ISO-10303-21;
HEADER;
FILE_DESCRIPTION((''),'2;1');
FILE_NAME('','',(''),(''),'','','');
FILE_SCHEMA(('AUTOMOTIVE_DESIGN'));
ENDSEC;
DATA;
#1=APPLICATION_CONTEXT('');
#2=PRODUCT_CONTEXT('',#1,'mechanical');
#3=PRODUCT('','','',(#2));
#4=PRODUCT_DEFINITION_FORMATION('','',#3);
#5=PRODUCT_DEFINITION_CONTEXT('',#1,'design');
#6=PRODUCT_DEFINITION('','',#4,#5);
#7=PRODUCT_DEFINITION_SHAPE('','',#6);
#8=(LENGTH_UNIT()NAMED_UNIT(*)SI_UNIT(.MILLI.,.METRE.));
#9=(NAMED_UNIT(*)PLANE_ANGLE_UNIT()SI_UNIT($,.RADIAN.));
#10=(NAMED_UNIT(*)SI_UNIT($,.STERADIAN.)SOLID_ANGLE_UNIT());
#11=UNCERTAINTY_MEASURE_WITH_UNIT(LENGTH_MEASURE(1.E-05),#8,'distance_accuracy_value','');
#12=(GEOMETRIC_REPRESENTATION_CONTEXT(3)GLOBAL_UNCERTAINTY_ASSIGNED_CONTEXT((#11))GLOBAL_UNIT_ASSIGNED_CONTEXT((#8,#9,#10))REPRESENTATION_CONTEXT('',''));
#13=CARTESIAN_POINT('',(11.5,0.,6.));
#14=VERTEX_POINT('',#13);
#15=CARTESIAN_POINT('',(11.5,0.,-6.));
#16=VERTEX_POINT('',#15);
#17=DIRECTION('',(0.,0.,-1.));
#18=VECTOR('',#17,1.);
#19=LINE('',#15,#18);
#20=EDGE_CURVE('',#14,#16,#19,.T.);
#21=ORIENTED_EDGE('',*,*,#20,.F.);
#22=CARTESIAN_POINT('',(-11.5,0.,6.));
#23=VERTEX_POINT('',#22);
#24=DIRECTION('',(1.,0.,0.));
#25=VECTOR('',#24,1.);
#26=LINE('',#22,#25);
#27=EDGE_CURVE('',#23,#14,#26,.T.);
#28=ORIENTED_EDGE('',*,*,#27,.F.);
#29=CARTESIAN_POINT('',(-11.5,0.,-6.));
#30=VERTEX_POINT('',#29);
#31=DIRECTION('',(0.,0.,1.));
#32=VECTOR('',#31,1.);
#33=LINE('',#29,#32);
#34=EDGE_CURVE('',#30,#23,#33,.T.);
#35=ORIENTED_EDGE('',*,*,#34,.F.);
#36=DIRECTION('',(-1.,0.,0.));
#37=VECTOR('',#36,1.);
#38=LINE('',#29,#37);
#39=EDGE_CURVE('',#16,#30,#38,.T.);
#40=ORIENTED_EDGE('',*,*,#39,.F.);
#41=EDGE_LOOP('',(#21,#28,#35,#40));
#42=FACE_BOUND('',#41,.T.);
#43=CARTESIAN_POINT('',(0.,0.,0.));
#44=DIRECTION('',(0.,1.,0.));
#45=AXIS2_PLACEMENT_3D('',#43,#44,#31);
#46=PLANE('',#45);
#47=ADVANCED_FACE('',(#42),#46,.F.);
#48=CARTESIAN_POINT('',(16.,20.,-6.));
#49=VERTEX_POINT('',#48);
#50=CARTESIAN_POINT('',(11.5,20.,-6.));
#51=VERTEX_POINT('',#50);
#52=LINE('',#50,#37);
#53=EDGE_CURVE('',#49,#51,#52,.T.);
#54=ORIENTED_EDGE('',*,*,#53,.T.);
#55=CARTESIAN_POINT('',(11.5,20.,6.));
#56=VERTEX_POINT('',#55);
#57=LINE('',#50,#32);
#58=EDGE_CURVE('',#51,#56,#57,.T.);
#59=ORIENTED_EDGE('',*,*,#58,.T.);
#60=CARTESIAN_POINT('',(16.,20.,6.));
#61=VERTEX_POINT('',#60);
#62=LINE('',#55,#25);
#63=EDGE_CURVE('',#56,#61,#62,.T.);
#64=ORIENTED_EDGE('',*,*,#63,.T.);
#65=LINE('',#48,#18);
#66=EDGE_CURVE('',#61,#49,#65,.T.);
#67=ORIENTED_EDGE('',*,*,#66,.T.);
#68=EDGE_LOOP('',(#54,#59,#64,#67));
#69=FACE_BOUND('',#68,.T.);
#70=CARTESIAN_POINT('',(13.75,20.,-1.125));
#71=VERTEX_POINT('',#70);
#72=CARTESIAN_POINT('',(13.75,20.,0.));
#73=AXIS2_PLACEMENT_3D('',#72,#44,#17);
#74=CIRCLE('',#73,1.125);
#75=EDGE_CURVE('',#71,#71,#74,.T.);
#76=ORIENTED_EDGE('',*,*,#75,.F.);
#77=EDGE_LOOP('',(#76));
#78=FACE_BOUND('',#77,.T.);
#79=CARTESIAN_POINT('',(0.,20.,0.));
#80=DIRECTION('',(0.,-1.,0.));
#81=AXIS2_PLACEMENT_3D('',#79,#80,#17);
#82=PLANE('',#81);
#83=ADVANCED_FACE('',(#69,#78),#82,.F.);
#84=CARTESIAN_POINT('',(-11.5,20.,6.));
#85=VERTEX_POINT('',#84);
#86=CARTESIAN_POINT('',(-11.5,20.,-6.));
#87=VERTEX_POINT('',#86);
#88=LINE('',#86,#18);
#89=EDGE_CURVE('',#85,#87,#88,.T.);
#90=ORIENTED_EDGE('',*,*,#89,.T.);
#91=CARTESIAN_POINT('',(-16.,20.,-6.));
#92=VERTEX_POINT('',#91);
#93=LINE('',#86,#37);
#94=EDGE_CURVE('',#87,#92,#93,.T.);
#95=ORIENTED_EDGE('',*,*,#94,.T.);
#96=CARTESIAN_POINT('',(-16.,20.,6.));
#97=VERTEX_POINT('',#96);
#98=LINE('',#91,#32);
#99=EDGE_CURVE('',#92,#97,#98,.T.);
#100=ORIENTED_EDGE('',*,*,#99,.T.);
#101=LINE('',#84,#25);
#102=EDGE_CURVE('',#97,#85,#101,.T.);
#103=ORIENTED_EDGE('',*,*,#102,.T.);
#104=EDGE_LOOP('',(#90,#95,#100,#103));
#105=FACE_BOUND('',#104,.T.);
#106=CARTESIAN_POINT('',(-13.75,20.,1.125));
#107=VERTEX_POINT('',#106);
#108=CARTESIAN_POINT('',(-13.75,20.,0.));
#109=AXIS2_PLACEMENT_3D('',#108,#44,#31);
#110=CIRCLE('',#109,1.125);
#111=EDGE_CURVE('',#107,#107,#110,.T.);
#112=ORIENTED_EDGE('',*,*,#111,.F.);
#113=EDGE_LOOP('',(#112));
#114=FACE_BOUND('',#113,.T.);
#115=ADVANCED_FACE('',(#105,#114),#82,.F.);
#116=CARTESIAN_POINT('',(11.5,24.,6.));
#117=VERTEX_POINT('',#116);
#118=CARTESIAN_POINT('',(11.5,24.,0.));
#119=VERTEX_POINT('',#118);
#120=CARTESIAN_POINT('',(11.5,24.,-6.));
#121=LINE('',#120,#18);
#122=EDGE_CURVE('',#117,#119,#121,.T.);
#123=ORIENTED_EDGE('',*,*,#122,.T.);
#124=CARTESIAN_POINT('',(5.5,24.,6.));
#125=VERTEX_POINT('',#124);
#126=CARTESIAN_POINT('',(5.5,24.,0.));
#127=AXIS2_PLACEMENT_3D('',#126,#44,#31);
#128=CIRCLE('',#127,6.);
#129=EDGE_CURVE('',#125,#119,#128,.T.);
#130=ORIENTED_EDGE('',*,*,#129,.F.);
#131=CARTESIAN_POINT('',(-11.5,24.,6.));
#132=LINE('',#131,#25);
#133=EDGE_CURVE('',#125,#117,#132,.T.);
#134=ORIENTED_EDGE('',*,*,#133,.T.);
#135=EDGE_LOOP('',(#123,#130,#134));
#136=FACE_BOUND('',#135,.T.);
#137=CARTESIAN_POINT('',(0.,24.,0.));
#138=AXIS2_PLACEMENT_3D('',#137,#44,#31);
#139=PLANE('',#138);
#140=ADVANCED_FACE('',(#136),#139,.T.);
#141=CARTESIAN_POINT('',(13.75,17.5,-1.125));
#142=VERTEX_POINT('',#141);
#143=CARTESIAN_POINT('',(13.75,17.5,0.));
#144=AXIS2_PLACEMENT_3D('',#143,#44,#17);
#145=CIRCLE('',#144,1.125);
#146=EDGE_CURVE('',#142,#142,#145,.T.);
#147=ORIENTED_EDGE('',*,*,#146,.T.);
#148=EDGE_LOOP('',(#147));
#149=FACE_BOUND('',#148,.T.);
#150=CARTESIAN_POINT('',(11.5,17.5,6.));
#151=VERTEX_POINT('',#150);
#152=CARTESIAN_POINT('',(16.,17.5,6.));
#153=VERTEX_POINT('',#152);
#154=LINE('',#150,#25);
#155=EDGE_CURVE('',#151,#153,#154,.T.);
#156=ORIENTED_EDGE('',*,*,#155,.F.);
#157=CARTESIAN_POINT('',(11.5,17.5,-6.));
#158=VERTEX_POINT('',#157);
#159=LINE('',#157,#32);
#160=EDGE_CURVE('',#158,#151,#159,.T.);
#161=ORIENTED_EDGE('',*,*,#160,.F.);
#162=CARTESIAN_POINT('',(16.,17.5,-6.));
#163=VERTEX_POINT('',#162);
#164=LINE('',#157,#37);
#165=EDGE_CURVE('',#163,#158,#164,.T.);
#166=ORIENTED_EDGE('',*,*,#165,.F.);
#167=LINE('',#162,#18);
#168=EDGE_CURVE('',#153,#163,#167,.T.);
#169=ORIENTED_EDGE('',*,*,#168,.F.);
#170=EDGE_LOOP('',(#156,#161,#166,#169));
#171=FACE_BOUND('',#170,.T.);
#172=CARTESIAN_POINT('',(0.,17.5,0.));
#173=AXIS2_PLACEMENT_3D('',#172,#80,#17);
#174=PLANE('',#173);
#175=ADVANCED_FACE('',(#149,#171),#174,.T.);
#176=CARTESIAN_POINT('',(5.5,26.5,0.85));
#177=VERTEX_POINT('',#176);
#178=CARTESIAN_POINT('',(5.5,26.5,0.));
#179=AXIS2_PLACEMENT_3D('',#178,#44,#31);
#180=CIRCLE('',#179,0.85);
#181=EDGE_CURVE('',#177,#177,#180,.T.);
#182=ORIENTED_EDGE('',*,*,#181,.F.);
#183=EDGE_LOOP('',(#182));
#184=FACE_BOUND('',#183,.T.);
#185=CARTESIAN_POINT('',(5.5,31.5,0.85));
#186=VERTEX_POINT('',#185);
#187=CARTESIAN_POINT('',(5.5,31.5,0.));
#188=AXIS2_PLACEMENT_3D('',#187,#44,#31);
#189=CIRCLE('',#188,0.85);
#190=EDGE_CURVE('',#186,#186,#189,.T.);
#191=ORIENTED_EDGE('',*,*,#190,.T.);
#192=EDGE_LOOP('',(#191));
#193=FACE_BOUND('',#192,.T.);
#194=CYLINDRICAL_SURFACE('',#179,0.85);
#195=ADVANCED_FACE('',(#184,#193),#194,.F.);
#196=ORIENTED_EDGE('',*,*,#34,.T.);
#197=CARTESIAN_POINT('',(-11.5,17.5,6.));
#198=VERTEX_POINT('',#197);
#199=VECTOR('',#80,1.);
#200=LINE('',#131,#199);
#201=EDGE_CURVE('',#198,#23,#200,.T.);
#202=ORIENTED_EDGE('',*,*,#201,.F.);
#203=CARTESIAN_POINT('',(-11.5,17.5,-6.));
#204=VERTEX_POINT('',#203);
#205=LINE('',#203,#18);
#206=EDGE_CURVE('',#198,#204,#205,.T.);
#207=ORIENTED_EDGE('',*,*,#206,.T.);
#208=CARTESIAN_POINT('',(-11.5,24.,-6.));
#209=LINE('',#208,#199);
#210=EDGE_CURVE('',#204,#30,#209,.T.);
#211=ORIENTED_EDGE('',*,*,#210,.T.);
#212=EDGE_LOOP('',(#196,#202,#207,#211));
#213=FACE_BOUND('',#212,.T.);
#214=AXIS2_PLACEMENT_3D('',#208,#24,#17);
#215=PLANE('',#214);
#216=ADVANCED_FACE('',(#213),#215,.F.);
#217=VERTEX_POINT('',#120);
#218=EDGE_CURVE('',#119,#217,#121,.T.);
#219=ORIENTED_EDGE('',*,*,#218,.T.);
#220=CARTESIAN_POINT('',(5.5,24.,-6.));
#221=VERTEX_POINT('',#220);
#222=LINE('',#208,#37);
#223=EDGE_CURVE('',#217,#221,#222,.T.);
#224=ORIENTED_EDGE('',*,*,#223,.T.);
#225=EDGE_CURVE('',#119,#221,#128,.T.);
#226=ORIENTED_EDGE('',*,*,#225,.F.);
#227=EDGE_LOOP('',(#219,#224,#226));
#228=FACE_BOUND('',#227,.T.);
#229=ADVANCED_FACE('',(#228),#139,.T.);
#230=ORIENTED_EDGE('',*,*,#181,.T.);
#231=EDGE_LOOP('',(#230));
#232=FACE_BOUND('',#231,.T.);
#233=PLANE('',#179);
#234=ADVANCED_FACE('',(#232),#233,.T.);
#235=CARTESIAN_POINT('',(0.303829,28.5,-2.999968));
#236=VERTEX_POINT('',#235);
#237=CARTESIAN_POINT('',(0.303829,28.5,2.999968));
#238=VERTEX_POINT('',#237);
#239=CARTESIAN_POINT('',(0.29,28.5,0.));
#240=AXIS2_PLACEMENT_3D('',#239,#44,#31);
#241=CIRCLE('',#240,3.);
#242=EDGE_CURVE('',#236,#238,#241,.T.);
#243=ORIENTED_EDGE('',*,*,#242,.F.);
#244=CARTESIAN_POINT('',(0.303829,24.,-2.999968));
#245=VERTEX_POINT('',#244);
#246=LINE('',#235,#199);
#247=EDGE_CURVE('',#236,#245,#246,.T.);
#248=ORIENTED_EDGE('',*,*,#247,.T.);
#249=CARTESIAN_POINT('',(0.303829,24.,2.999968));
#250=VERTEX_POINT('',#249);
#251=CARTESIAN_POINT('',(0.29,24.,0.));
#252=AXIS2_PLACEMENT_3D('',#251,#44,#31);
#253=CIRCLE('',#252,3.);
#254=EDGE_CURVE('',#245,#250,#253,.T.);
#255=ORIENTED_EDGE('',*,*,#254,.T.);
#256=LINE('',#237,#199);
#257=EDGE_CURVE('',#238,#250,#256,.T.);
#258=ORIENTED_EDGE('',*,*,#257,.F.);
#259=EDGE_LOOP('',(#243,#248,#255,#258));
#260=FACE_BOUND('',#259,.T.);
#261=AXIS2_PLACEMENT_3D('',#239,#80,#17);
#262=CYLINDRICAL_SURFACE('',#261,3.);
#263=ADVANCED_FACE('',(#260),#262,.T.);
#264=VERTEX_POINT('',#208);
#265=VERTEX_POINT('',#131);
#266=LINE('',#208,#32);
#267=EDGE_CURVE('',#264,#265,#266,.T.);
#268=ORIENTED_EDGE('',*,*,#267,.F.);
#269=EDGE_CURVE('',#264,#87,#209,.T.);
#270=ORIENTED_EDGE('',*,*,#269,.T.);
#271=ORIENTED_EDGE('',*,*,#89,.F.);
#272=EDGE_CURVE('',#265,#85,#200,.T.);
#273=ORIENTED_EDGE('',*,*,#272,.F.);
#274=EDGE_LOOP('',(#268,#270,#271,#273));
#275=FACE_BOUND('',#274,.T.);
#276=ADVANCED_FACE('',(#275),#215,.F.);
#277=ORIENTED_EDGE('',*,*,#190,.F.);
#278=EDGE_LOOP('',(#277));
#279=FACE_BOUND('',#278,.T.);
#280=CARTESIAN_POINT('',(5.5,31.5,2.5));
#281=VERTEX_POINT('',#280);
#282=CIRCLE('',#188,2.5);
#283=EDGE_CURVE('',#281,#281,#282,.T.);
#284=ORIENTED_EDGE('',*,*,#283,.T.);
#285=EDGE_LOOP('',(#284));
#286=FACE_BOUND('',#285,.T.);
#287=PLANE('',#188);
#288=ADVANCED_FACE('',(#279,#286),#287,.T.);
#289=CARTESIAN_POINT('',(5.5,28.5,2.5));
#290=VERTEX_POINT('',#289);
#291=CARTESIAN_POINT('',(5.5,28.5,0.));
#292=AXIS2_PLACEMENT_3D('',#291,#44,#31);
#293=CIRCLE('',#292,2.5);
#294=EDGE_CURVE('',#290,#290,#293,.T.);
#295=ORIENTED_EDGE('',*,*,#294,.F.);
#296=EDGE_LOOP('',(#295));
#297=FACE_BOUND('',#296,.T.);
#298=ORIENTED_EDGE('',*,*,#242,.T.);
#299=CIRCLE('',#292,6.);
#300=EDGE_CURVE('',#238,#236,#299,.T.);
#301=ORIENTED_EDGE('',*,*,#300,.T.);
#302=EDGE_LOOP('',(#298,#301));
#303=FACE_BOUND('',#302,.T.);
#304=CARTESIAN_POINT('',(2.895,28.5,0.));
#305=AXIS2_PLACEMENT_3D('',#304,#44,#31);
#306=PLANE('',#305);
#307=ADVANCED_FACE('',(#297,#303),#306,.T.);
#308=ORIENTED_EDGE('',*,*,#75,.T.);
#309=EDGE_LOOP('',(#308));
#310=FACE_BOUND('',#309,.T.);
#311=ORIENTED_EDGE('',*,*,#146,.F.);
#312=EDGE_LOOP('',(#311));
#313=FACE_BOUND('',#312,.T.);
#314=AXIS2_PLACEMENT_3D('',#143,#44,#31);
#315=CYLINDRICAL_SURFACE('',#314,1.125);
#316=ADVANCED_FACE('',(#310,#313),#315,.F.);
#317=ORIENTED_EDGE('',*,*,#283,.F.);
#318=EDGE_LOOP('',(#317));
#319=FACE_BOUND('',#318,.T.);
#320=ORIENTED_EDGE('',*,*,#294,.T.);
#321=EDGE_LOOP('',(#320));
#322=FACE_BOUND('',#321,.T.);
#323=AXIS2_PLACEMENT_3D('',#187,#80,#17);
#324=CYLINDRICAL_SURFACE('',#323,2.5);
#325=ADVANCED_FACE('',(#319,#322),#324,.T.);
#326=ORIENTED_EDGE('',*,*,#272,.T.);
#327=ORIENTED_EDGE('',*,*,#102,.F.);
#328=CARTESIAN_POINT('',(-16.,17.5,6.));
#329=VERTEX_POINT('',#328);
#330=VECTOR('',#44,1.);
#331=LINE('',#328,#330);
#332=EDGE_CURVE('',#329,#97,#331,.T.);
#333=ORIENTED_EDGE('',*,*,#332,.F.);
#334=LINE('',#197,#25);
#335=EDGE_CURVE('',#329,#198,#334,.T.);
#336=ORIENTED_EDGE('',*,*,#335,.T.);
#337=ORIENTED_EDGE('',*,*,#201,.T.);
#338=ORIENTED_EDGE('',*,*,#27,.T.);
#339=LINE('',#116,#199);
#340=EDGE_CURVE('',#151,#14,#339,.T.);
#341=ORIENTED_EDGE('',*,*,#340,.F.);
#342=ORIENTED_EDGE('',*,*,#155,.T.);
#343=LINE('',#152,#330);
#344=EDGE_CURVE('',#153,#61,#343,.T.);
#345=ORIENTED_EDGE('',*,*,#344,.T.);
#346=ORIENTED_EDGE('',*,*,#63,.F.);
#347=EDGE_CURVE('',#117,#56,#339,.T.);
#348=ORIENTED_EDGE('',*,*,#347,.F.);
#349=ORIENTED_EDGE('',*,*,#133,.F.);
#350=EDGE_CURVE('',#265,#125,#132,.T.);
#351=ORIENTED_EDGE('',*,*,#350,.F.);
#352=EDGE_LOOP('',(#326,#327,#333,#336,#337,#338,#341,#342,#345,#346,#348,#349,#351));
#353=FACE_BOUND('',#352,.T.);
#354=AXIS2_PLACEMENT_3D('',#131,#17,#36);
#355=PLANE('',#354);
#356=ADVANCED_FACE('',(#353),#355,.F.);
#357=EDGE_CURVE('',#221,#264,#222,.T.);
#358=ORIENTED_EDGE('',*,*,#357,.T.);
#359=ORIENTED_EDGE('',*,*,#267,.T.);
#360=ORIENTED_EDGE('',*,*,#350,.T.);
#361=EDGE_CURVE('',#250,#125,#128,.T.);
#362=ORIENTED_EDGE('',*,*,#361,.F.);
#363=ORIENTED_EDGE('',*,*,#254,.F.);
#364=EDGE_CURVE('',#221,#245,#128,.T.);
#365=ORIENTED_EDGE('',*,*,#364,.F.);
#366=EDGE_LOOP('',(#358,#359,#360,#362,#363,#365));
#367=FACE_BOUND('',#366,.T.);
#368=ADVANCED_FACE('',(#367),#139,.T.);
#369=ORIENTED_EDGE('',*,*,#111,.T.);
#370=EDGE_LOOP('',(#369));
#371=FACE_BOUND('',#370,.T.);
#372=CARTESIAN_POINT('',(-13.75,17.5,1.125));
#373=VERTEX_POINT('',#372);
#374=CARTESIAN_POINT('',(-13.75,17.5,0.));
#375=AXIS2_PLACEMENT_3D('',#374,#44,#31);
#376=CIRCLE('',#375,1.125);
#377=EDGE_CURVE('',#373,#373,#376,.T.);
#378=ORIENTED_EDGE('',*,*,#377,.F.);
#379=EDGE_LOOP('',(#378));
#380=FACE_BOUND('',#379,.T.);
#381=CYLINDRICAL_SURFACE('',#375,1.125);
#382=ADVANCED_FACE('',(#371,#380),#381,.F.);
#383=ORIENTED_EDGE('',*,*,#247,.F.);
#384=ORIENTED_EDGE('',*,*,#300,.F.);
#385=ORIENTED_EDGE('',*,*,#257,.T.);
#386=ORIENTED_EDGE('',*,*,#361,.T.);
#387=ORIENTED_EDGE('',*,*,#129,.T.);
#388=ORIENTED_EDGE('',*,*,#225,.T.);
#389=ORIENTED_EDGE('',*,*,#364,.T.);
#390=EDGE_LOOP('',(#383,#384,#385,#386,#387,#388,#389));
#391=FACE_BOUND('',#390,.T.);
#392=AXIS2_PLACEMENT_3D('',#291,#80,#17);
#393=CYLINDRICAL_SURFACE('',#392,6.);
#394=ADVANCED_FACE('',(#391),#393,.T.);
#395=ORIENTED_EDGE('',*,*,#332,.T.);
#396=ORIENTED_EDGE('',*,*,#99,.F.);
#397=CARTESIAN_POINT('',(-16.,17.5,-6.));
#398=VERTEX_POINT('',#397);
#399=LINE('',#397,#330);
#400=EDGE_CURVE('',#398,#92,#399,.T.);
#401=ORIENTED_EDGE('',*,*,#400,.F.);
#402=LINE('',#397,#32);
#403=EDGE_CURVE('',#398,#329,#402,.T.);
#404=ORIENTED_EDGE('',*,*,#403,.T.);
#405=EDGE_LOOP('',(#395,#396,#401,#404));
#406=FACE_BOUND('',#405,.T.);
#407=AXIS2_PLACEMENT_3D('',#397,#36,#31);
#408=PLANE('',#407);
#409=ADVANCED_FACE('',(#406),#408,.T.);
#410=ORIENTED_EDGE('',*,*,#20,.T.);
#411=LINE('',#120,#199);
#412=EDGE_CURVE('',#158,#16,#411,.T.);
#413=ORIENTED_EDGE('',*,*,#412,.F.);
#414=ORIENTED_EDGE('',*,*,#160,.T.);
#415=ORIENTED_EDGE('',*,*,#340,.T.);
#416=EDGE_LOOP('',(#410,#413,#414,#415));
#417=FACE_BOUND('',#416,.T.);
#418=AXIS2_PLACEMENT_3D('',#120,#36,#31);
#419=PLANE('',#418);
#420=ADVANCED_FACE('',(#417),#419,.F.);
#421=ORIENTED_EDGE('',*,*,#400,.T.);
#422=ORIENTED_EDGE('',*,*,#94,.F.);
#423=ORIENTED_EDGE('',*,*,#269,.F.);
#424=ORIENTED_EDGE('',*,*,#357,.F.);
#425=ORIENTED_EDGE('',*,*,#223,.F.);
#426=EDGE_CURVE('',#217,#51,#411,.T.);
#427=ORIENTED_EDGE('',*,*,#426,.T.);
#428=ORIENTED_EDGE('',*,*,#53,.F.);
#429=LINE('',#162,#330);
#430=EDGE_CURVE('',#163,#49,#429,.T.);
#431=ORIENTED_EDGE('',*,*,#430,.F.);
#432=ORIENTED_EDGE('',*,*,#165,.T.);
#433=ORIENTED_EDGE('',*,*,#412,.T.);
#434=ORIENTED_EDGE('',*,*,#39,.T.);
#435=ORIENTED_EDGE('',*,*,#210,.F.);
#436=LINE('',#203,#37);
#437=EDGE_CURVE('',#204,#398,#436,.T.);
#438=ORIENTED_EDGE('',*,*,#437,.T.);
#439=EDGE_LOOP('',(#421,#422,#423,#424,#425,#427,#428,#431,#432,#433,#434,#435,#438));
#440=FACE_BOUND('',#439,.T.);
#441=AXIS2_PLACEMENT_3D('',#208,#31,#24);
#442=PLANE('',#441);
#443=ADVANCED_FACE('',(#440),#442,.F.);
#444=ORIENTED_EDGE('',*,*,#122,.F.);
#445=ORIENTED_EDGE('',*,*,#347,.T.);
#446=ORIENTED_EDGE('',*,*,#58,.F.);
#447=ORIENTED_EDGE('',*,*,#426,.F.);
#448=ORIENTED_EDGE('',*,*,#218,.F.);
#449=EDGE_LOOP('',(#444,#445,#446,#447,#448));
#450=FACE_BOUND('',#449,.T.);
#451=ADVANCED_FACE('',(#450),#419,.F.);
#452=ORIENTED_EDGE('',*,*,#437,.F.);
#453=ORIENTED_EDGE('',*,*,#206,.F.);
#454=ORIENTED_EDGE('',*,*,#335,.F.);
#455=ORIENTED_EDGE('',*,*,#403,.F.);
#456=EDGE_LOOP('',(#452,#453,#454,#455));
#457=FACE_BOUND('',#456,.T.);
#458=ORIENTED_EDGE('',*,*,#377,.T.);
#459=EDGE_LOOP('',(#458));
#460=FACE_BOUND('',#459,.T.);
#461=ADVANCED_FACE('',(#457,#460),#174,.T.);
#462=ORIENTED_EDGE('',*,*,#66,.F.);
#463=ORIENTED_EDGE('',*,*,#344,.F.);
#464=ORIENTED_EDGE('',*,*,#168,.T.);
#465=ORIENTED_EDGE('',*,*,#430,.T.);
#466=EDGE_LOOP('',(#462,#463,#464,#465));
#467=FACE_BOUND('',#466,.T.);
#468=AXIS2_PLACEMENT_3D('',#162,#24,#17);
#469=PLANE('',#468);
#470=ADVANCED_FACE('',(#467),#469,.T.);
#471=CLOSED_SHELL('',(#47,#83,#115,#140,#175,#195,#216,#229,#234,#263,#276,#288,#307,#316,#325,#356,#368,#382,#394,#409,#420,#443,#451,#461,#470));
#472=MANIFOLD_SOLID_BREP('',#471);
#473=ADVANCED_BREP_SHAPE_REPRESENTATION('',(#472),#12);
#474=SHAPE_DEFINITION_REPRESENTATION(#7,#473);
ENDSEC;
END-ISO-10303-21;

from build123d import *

# Parameters (mm, degrees)
SKETCH1_W           = 23
SKETCH1_H           = 12
BOSS_EXTRUDE1_DEPTH = 24
BOSS_EXTRUDE2_DEPTH = 4.5
SKETCH3_R           = 2.5
BOSS_EXTRUDE3_DEPTH = 3
SKETCH4_R           = 0.85
CUT_EXTRUDE1_DEPTH  = 5
BOSS_EXTRUDE4_START = -4
SKETCH5_W           = 4.5
SKETCH5_H           = 12
SKETCH5_R           = 1.125
BOSS_EXTRUDE4_DEPTH = 2.5


with BuildPart() as part:
    # Sketch1 → Boss-Extrude1 (new body)
    with BuildSketch(Plane(origin=(0, 0, 0), x_dir=(1, 0, 0), z_dir=(0, 1, 0))):
        Rectangle(SKETCH1_W, SKETCH1_H)
    extrude(amount=BOSS_EXTRUDE1_DEPTH)

    # Sketch2 → Boss-Extrude2 (add)
    with BuildSketch(Plane(origin=(0, 24, 0), x_dir=(1, 0, 0), z_dir=(0, 1, 0))):
        with BuildLine():
            ThreePointArc((0.303829175, 2.999968125), (-2.71, 0), (0.303829175, -2.999968125))
            ThreePointArc((0.303829175, -2.999968125), (11.5, 0), (0.303829175, 2.999968125))
        make_face()
    extrude(amount=BOSS_EXTRUDE2_DEPTH)

    # Sketch3 → Boss-Extrude3 (add)
    with BuildSketch(Plane(origin=(0, 28.5, 0), x_dir=(1, 0, 0), z_dir=(0, 1, 0))):
        with Locations(Location((5.5, 0, 0), (0, 0, 270))):
            Circle(SKETCH3_R)
    extrude(amount=BOSS_EXTRUDE3_DEPTH)

    # Sketch4 → Cut-Extrude1 (cut)
    with BuildSketch(Plane(origin=(0, 31.5, 0), x_dir=(1, 0, 0), z_dir=(0, 1, 0))):
        with Locations(Location((5.5, 0, 0), (0, 0, 270))):
            Circle(SKETCH4_R)
    extrude(amount=-CUT_EXTRUDE1_DEPTH, mode=Mode.SUBTRACT)

    # Sketch5 → Boss-Extrude4 (add)
    # profile 1 of 2: a face of its own
    with BuildSketch(Plane(origin=(0, 24, 0), x_dir=(1, 0, 0), z_dir=(0, 1, 0)).offset(BOSS_EXTRUDE4_START)):
        with Locations((-13.75, 0)):
            Rectangle(SKETCH5_W, SKETCH5_H)
        with Locations(Location((-13.75, 0, 0), (0, 0, 270))):
            Circle(SKETCH5_R, mode=Mode.SUBTRACT)
    # profile 2 of 2: a face of its own
    with BuildSketch(Plane(origin=(0, 24, 0), x_dir=(1, 0, 0), z_dir=(0, 1, 0)).offset(BOSS_EXTRUDE4_START)):
        with Locations((13.75, 0)):
            Rectangle(SKETCH5_W, SKETCH5_H)
        with Locations(Location((13.75, 0, 0), (0, 0, 90))):
            Circle(SKETCH5_R, mode=Mode.SUBTRACT)
    extrude(amount=-BOSS_EXTRUDE4_DEPTH)


solid = part.part
